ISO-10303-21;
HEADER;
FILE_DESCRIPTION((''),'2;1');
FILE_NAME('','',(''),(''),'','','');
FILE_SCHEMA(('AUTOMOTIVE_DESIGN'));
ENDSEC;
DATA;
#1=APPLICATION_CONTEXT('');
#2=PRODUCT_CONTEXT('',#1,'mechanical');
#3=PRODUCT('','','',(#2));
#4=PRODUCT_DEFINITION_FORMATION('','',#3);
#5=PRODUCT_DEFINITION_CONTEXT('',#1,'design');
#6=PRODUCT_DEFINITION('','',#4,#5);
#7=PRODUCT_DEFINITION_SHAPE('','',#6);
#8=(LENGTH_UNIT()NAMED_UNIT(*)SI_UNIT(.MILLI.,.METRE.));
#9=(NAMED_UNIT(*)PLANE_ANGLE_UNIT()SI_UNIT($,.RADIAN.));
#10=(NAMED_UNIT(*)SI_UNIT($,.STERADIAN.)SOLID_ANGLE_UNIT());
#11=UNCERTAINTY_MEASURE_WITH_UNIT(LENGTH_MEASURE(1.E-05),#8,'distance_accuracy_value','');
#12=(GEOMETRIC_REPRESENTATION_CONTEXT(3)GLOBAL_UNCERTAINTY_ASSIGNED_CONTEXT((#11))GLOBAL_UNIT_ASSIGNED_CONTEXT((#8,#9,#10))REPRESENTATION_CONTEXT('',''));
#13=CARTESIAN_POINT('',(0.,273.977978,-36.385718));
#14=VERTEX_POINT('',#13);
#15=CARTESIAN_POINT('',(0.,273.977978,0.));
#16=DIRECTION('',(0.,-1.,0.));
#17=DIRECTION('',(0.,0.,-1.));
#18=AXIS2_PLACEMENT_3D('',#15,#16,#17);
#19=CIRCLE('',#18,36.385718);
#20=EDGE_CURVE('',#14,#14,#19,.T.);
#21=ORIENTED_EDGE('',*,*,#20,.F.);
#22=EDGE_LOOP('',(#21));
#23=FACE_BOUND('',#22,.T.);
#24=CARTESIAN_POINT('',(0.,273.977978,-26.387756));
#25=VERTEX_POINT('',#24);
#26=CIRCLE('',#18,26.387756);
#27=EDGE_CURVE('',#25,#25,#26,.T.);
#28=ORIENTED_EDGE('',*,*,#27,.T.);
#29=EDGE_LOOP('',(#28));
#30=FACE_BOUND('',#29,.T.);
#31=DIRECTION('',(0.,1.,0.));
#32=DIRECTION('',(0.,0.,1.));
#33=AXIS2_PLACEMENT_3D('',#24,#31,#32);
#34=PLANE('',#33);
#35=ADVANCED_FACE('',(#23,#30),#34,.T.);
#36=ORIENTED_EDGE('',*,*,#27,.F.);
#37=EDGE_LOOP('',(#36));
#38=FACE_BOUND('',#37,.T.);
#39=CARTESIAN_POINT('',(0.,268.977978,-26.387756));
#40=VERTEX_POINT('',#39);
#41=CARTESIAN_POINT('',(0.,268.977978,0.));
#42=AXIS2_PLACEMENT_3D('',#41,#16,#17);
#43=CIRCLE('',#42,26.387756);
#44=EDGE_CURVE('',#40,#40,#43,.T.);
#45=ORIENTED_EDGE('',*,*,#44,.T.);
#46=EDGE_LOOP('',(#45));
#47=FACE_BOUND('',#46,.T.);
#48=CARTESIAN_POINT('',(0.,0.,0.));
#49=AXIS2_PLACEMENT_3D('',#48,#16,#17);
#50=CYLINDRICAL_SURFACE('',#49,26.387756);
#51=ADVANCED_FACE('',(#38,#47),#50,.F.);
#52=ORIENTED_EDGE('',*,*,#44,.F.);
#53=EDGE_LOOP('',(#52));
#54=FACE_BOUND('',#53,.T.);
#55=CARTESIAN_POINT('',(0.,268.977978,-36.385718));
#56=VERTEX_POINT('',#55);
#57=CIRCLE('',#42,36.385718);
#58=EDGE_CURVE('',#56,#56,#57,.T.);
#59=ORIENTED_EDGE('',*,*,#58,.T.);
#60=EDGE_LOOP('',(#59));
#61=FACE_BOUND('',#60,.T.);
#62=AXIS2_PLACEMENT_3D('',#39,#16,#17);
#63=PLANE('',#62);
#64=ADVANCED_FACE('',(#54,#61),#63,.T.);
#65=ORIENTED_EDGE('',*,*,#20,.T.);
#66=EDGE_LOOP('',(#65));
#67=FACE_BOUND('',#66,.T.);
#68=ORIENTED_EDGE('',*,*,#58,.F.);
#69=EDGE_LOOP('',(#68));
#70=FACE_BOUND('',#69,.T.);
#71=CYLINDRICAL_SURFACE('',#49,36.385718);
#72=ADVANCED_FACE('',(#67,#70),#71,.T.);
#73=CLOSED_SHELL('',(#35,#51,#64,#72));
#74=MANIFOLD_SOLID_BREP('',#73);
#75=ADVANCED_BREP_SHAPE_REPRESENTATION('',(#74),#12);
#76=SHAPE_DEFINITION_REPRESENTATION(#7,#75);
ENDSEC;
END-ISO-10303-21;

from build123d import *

# Parameters (mm, degrees)
PORON_W = 9.997961983
PORON_H = 5


with BuildPart() as part:
    # poron → Revolve1 (revolve)
    with BuildSketch(Plane(origin=(0, 0, 0), x_dir=(0, 0, -1), z_dir=(1, 0, 0))):
        with Locations((31.386737192, 271.477978152)):
            Rectangle(PORON_W, PORON_H)
    revolve(axis=Axis((0, 0, 0), (0, 1, 0)))


solid = part.part
